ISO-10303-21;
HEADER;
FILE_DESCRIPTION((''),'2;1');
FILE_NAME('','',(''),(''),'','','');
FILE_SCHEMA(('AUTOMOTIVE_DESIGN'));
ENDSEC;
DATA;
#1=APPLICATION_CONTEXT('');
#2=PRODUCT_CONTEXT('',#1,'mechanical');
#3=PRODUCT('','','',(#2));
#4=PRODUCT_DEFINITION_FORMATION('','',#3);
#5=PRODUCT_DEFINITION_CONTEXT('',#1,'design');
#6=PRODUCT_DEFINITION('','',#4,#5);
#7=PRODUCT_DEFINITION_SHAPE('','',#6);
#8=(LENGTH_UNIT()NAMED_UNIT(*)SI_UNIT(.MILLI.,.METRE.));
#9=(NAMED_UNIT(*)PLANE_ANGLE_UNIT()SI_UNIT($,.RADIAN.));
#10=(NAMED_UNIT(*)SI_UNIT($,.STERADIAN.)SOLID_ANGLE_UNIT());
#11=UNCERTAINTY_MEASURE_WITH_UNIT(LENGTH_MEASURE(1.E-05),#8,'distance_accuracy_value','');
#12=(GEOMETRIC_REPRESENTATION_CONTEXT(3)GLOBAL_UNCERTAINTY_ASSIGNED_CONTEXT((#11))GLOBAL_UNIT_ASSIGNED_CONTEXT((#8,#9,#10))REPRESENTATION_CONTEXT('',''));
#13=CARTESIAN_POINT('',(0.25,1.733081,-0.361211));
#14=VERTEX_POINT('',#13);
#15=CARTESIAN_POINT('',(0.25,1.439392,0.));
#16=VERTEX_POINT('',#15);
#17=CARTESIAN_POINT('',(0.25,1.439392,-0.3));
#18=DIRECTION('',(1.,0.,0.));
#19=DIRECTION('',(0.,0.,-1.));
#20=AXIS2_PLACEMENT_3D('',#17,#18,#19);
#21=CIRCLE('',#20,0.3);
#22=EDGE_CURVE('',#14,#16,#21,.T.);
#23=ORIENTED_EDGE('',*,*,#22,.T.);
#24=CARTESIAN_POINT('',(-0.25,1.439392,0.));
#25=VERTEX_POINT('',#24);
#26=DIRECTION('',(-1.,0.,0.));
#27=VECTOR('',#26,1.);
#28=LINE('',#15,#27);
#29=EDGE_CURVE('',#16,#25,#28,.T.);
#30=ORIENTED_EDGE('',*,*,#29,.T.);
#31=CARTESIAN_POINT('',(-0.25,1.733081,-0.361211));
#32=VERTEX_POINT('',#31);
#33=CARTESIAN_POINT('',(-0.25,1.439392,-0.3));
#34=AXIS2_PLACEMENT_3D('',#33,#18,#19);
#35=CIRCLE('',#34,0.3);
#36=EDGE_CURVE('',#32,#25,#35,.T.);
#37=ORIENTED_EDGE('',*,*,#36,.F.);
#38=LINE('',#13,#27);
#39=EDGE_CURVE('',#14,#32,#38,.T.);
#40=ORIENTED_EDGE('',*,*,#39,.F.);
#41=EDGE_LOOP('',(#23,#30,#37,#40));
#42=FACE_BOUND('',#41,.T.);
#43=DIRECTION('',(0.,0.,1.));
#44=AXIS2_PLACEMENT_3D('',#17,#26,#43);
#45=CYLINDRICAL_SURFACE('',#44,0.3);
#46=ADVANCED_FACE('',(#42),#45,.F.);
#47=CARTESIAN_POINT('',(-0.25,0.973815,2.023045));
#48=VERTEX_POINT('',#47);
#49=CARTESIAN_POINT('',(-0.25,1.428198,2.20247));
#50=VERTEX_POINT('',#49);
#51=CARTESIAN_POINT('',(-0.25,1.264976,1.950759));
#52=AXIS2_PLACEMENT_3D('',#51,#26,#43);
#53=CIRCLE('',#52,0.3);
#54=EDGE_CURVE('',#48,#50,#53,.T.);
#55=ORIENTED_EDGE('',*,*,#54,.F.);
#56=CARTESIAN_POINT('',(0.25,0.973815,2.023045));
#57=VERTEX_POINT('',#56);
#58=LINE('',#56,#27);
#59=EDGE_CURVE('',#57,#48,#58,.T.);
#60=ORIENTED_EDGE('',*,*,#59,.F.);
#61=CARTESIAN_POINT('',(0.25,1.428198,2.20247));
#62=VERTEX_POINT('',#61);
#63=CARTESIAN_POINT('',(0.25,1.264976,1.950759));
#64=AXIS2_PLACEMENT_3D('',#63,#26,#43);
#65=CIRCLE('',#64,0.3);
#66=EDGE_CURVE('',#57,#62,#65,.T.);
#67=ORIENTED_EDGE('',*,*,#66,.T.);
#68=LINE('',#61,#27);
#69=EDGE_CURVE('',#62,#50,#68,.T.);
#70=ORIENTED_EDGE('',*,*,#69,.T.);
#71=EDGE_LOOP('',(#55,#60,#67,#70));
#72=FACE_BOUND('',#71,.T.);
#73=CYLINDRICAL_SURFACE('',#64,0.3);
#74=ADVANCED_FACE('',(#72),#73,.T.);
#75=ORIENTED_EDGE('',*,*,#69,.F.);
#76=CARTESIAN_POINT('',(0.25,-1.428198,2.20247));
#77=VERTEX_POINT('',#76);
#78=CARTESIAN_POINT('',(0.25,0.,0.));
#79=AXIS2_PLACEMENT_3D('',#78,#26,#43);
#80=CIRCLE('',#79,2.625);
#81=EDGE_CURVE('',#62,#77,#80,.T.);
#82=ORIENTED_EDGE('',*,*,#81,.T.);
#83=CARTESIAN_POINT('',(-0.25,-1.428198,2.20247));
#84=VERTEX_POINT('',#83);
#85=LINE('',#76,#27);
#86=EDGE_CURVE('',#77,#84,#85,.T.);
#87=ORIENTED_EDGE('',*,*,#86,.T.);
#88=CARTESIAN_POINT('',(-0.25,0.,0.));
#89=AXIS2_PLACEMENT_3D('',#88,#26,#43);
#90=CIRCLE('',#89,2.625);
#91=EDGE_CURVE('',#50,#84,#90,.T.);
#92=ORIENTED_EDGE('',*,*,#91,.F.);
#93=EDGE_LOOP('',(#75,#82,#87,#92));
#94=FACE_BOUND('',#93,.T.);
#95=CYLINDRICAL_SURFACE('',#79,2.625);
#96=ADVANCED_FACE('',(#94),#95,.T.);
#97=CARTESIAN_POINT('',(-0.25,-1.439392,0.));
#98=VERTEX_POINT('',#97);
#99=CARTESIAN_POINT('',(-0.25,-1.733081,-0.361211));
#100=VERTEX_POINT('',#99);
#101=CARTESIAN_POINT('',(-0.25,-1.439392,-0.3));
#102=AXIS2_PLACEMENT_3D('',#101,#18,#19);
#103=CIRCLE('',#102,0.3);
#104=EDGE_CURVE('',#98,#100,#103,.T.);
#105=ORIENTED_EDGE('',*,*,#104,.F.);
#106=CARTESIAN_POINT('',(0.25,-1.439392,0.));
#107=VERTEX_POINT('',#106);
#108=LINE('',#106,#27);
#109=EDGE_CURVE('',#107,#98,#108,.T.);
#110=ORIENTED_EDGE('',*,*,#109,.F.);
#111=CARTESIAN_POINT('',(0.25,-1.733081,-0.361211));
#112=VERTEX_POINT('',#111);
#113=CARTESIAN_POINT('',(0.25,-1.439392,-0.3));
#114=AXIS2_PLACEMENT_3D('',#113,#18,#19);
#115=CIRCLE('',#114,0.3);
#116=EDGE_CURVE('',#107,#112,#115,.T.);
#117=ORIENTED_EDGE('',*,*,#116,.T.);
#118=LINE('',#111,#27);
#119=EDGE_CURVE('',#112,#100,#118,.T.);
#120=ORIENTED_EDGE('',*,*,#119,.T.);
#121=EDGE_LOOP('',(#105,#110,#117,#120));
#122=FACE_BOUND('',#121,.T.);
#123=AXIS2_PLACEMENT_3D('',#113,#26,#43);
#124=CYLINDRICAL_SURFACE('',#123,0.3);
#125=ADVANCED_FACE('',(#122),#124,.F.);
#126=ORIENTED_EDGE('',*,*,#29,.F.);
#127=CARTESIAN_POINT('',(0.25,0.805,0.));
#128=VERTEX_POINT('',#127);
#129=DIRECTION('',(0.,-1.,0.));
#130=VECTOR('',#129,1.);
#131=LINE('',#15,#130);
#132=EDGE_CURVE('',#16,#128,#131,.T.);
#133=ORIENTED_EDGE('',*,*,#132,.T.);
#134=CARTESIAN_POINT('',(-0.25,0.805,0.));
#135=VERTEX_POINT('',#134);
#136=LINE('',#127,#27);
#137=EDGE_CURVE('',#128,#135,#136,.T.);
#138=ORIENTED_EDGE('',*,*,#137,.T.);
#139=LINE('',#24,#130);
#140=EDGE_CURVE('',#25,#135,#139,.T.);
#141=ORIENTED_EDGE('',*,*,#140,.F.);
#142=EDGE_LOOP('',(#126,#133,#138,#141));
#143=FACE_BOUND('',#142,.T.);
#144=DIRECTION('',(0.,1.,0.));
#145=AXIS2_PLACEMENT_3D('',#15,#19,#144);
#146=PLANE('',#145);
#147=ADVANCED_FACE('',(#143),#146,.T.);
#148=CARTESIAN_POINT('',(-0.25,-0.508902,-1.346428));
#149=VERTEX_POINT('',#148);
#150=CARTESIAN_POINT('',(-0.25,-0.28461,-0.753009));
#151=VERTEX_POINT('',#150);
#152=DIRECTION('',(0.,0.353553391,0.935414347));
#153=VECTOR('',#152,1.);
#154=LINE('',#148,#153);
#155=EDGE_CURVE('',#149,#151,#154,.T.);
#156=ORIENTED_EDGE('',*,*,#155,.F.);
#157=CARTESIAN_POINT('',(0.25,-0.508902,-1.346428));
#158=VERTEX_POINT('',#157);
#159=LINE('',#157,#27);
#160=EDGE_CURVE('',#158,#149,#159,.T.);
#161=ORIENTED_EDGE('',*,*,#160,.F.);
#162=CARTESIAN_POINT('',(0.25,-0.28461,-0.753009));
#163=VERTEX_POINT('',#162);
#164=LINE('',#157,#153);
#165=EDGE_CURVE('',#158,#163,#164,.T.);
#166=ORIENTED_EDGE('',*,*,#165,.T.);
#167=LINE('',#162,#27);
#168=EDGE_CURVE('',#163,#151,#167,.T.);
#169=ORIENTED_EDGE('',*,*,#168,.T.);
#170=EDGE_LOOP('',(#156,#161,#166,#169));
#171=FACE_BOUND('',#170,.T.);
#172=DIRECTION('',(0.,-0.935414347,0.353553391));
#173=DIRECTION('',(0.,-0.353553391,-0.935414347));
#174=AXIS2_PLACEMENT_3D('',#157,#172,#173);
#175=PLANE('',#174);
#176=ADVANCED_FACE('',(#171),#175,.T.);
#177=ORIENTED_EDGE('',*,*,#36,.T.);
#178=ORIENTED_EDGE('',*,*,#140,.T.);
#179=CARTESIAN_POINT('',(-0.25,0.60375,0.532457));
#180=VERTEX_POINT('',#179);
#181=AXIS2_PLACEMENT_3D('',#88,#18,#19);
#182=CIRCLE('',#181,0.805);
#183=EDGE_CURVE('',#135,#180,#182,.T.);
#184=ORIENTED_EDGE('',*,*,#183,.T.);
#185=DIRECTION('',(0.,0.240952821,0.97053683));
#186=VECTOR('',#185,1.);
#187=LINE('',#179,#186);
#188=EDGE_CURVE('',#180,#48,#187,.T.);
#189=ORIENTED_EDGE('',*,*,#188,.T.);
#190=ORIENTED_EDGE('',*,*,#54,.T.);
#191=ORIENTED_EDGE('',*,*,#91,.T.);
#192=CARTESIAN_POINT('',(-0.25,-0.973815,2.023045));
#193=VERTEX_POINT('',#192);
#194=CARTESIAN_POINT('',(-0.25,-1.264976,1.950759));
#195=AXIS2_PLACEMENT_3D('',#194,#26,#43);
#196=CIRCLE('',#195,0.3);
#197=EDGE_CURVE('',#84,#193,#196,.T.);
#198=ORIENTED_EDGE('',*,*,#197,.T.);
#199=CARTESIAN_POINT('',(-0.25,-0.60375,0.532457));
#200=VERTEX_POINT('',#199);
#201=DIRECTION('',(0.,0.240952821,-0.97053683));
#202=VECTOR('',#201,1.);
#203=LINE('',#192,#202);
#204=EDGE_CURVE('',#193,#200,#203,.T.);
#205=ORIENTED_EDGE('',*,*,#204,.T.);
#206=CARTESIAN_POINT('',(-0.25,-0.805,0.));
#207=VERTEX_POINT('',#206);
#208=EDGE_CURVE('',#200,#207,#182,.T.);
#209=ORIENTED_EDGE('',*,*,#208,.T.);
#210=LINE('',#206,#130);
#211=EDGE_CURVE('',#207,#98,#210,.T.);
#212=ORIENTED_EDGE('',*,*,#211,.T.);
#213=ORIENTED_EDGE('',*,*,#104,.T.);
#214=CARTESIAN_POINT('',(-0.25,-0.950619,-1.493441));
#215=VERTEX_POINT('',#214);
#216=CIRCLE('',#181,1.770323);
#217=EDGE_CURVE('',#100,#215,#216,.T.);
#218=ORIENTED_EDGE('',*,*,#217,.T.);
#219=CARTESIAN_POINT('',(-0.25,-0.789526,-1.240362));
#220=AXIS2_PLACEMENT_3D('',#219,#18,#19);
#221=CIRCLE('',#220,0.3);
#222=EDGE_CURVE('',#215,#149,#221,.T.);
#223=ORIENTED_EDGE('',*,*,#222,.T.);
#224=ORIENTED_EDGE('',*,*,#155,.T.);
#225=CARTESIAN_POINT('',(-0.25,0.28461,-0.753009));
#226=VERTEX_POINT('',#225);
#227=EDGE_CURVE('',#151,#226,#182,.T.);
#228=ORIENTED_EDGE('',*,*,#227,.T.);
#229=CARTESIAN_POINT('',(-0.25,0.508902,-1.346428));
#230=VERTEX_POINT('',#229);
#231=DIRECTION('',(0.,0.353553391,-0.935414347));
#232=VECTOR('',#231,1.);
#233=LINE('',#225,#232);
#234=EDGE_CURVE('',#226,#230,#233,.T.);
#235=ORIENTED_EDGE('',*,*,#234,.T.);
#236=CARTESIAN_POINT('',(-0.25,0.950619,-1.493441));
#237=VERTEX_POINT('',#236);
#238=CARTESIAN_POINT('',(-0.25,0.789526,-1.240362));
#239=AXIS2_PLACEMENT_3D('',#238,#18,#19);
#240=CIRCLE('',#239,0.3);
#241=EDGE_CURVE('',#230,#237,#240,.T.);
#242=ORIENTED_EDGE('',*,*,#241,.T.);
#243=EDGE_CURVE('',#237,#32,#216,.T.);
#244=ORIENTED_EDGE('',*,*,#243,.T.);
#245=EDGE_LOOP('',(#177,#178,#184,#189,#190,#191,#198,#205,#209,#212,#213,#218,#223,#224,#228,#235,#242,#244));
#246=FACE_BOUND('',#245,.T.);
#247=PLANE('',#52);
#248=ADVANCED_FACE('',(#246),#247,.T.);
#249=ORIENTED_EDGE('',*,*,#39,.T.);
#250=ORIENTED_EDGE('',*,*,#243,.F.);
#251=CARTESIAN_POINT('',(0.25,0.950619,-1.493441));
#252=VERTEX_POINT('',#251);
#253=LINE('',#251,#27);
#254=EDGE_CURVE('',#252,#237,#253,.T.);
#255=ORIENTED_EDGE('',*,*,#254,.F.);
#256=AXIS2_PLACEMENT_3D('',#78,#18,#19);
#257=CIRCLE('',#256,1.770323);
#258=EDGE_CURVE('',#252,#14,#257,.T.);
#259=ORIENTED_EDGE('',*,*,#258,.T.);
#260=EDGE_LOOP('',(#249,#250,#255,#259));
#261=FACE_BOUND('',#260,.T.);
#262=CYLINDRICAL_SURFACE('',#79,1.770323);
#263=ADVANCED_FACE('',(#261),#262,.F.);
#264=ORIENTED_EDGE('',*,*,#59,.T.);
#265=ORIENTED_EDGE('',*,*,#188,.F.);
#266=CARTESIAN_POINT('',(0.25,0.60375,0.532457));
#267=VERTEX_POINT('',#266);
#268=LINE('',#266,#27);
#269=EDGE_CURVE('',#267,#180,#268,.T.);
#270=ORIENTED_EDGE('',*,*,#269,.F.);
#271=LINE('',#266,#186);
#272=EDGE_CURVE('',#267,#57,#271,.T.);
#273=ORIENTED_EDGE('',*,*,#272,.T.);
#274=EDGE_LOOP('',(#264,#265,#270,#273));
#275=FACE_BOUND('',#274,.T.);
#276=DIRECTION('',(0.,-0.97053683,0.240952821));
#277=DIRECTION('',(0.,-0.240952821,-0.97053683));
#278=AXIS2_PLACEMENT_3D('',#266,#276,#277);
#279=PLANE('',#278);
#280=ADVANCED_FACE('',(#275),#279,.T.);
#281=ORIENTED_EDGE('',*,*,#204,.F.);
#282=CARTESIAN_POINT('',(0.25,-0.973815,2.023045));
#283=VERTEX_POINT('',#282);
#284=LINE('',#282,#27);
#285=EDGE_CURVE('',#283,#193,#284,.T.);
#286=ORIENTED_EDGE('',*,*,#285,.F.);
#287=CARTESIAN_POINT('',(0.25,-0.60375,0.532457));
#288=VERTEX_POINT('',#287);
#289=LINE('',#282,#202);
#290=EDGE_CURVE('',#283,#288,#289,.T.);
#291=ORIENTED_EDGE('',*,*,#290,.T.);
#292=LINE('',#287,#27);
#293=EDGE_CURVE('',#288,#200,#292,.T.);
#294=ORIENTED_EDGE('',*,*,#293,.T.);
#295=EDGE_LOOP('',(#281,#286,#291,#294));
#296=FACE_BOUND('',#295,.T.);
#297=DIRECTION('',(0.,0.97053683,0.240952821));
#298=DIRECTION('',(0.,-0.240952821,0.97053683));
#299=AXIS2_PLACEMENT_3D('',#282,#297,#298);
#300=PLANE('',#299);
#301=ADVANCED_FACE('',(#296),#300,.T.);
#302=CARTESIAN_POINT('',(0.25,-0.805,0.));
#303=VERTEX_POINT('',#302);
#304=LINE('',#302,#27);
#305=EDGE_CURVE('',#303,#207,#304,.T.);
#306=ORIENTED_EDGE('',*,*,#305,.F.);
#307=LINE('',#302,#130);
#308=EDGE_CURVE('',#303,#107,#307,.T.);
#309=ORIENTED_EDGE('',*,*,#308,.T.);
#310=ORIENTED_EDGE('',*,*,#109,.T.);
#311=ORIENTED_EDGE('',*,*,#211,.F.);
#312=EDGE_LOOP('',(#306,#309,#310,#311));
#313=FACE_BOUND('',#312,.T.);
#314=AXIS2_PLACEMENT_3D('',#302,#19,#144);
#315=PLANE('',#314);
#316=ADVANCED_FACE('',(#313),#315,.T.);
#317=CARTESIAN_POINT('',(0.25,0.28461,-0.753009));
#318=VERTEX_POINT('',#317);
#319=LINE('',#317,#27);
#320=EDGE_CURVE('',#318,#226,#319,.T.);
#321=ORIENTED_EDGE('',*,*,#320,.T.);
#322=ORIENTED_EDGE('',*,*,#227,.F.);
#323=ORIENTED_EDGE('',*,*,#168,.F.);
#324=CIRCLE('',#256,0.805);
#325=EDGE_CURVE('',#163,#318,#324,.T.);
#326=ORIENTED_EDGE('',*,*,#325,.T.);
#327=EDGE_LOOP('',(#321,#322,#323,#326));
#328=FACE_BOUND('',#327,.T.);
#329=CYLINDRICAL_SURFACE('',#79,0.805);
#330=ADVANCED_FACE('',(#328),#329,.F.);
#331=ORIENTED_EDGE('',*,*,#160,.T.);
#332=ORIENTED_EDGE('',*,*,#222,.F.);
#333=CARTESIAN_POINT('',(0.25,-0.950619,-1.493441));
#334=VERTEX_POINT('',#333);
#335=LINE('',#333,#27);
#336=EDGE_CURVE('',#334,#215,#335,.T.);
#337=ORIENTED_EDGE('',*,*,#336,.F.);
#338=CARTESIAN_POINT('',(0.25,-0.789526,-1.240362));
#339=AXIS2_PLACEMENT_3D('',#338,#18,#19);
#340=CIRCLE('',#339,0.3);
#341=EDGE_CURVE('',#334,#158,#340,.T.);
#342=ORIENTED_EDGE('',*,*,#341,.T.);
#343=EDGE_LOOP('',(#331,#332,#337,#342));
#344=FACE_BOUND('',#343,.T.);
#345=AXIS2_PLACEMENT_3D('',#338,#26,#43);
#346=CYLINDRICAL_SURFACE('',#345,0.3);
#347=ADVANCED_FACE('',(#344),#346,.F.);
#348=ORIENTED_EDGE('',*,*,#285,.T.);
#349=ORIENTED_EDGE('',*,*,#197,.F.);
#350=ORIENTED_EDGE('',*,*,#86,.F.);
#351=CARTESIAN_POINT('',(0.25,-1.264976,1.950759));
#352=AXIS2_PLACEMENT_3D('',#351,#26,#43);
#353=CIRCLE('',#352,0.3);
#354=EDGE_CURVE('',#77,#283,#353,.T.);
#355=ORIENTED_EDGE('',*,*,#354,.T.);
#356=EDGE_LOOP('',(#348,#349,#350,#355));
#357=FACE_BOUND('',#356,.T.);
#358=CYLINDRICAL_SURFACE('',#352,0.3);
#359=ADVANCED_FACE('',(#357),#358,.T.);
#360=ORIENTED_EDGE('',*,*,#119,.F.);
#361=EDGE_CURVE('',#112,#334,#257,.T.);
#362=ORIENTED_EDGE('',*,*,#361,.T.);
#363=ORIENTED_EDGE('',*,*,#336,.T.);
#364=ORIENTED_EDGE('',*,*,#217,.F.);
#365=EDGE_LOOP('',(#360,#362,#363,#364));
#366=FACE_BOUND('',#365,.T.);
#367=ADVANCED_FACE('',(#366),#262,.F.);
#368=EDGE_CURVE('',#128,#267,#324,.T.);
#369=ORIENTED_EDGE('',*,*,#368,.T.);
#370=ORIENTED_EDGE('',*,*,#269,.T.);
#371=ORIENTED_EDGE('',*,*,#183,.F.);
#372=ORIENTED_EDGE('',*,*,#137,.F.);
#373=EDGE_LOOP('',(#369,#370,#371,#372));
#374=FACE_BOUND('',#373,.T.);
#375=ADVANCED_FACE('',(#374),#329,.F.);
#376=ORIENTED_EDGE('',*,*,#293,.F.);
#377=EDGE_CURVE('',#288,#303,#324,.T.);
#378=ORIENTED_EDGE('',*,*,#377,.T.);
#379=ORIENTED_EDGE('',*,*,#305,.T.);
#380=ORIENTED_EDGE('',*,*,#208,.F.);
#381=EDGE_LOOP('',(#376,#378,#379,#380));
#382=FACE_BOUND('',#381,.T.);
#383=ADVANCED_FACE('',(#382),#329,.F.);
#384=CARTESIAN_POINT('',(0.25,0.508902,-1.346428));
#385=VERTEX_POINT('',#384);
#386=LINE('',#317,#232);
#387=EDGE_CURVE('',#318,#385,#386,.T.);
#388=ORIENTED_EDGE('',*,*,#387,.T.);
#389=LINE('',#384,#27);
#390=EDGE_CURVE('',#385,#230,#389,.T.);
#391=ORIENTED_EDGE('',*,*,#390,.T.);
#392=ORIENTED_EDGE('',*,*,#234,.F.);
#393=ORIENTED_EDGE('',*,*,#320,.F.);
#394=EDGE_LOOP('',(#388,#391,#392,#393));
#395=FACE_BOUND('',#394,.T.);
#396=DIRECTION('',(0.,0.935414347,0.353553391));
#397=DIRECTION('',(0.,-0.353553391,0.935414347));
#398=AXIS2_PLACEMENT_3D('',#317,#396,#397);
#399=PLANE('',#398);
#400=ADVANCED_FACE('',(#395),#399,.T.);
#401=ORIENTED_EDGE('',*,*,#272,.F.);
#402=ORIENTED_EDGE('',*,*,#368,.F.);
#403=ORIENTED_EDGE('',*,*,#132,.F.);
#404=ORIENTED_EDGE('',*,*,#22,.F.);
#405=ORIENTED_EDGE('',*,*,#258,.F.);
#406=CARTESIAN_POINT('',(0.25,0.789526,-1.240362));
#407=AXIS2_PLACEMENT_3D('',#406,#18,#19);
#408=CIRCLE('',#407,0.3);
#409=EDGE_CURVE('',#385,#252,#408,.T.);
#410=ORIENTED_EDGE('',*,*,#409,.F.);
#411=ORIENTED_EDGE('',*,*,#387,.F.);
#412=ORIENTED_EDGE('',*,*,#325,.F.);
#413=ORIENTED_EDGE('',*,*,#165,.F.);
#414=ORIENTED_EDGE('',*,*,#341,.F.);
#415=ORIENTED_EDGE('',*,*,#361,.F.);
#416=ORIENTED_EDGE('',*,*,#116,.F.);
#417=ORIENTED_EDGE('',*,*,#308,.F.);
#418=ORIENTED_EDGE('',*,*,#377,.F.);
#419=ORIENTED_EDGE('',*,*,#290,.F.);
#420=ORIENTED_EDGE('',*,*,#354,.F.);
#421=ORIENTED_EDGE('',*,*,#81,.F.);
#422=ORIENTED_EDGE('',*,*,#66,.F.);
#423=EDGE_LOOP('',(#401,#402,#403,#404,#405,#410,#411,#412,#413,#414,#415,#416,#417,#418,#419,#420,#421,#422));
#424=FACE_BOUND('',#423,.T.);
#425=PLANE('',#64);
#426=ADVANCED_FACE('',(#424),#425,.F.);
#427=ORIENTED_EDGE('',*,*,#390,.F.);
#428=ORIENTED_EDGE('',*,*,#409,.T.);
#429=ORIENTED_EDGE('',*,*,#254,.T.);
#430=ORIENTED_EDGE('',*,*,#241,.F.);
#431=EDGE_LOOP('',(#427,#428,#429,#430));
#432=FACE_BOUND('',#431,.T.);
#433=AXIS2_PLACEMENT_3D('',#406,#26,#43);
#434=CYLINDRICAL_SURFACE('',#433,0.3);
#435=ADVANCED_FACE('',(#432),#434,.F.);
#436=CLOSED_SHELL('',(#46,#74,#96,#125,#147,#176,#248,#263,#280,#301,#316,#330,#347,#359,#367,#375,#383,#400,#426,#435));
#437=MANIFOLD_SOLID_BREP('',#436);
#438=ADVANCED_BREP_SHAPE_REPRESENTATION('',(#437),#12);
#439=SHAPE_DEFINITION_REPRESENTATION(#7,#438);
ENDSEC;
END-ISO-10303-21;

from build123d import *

# Parameters (mm, degrees)
BOSS_EXTRUDE1_DEPTH = 0.5


with BuildPart() as part:
    # Sketch1 → Boss-Extrude1 (new body)
    with BuildSketch(Plane(origin=(-0.25, 0, 0), x_dir=(0, -1, 0), z_dir=(-1, 0, 0))):
        with BuildLine():
            Line((0.973814574, 2.023045102), (0.60375, 0.532457451))
            ThreePointArc((0.60375, 0.532457451), (0.753008549, 0.284610479), (0.805, 0))
            Line((0.805, 0), (1.439391709, 0))
            ThreePointArc((1.439391709, 0), (1.672161248, -0.110742658), (1.733080671, -0.361211057))
            ThreePointArc((1.733080671, -0.361211057), (1.456381342, -1.006476738), (0.950618553, -1.493441129))
            ThreePointArc((0.950618553, -1.493441129), (0.69478855, -1.525010179), (0.508901819, -1.346427655))
            Line((0.508901819, -1.346427655), (0.284610479, -0.753008549))
            ThreePointArc((0.284610479, -0.753008549), (0, -0.805), (-0.284610479, -0.753008549))
            Line((-0.284610479, -0.753008549), (-0.508901819, -1.346427655))
            ThreePointArc((-0.508901819, -1.346427655), (-0.69478855, -1.525010179), (-0.950618553, -1.493441129))
            ThreePointArc((-0.950618553, -1.493441129), (-1.456381342, -1.006476738), (-1.733080671, -0.361211057))
            ThreePointArc((-1.733080671, -0.361211057), (-1.672161248, -0.110742658), (-1.439391709, 0))
            Line((-1.439391709, 0), (-0.805, 0))
            ThreePointArc((-0.805, 0), (-0.753008549, 0.284610479), (-0.60375, 0.532457451))
            Line((-0.60375, 0.532457451), (-0.973814574, 2.023045102))
            ThreePointArc((-0.973814574, 2.023045102), (-1.154792173, 2.2297926), (-1.428198284, 2.202470127))
            ThreePointArc((-1.428198284, 2.202470127), (0, -2.625), (1.428198284, 2.202470127))
            ThreePointArc((1.428198284, 2.202470127), (1.154792173, 2.2297926), (0.973814574, 2.023045102))
        make_face()
    extrude(amount=-BOSS_EXTRUDE1_DEPTH)


solid = part.part
